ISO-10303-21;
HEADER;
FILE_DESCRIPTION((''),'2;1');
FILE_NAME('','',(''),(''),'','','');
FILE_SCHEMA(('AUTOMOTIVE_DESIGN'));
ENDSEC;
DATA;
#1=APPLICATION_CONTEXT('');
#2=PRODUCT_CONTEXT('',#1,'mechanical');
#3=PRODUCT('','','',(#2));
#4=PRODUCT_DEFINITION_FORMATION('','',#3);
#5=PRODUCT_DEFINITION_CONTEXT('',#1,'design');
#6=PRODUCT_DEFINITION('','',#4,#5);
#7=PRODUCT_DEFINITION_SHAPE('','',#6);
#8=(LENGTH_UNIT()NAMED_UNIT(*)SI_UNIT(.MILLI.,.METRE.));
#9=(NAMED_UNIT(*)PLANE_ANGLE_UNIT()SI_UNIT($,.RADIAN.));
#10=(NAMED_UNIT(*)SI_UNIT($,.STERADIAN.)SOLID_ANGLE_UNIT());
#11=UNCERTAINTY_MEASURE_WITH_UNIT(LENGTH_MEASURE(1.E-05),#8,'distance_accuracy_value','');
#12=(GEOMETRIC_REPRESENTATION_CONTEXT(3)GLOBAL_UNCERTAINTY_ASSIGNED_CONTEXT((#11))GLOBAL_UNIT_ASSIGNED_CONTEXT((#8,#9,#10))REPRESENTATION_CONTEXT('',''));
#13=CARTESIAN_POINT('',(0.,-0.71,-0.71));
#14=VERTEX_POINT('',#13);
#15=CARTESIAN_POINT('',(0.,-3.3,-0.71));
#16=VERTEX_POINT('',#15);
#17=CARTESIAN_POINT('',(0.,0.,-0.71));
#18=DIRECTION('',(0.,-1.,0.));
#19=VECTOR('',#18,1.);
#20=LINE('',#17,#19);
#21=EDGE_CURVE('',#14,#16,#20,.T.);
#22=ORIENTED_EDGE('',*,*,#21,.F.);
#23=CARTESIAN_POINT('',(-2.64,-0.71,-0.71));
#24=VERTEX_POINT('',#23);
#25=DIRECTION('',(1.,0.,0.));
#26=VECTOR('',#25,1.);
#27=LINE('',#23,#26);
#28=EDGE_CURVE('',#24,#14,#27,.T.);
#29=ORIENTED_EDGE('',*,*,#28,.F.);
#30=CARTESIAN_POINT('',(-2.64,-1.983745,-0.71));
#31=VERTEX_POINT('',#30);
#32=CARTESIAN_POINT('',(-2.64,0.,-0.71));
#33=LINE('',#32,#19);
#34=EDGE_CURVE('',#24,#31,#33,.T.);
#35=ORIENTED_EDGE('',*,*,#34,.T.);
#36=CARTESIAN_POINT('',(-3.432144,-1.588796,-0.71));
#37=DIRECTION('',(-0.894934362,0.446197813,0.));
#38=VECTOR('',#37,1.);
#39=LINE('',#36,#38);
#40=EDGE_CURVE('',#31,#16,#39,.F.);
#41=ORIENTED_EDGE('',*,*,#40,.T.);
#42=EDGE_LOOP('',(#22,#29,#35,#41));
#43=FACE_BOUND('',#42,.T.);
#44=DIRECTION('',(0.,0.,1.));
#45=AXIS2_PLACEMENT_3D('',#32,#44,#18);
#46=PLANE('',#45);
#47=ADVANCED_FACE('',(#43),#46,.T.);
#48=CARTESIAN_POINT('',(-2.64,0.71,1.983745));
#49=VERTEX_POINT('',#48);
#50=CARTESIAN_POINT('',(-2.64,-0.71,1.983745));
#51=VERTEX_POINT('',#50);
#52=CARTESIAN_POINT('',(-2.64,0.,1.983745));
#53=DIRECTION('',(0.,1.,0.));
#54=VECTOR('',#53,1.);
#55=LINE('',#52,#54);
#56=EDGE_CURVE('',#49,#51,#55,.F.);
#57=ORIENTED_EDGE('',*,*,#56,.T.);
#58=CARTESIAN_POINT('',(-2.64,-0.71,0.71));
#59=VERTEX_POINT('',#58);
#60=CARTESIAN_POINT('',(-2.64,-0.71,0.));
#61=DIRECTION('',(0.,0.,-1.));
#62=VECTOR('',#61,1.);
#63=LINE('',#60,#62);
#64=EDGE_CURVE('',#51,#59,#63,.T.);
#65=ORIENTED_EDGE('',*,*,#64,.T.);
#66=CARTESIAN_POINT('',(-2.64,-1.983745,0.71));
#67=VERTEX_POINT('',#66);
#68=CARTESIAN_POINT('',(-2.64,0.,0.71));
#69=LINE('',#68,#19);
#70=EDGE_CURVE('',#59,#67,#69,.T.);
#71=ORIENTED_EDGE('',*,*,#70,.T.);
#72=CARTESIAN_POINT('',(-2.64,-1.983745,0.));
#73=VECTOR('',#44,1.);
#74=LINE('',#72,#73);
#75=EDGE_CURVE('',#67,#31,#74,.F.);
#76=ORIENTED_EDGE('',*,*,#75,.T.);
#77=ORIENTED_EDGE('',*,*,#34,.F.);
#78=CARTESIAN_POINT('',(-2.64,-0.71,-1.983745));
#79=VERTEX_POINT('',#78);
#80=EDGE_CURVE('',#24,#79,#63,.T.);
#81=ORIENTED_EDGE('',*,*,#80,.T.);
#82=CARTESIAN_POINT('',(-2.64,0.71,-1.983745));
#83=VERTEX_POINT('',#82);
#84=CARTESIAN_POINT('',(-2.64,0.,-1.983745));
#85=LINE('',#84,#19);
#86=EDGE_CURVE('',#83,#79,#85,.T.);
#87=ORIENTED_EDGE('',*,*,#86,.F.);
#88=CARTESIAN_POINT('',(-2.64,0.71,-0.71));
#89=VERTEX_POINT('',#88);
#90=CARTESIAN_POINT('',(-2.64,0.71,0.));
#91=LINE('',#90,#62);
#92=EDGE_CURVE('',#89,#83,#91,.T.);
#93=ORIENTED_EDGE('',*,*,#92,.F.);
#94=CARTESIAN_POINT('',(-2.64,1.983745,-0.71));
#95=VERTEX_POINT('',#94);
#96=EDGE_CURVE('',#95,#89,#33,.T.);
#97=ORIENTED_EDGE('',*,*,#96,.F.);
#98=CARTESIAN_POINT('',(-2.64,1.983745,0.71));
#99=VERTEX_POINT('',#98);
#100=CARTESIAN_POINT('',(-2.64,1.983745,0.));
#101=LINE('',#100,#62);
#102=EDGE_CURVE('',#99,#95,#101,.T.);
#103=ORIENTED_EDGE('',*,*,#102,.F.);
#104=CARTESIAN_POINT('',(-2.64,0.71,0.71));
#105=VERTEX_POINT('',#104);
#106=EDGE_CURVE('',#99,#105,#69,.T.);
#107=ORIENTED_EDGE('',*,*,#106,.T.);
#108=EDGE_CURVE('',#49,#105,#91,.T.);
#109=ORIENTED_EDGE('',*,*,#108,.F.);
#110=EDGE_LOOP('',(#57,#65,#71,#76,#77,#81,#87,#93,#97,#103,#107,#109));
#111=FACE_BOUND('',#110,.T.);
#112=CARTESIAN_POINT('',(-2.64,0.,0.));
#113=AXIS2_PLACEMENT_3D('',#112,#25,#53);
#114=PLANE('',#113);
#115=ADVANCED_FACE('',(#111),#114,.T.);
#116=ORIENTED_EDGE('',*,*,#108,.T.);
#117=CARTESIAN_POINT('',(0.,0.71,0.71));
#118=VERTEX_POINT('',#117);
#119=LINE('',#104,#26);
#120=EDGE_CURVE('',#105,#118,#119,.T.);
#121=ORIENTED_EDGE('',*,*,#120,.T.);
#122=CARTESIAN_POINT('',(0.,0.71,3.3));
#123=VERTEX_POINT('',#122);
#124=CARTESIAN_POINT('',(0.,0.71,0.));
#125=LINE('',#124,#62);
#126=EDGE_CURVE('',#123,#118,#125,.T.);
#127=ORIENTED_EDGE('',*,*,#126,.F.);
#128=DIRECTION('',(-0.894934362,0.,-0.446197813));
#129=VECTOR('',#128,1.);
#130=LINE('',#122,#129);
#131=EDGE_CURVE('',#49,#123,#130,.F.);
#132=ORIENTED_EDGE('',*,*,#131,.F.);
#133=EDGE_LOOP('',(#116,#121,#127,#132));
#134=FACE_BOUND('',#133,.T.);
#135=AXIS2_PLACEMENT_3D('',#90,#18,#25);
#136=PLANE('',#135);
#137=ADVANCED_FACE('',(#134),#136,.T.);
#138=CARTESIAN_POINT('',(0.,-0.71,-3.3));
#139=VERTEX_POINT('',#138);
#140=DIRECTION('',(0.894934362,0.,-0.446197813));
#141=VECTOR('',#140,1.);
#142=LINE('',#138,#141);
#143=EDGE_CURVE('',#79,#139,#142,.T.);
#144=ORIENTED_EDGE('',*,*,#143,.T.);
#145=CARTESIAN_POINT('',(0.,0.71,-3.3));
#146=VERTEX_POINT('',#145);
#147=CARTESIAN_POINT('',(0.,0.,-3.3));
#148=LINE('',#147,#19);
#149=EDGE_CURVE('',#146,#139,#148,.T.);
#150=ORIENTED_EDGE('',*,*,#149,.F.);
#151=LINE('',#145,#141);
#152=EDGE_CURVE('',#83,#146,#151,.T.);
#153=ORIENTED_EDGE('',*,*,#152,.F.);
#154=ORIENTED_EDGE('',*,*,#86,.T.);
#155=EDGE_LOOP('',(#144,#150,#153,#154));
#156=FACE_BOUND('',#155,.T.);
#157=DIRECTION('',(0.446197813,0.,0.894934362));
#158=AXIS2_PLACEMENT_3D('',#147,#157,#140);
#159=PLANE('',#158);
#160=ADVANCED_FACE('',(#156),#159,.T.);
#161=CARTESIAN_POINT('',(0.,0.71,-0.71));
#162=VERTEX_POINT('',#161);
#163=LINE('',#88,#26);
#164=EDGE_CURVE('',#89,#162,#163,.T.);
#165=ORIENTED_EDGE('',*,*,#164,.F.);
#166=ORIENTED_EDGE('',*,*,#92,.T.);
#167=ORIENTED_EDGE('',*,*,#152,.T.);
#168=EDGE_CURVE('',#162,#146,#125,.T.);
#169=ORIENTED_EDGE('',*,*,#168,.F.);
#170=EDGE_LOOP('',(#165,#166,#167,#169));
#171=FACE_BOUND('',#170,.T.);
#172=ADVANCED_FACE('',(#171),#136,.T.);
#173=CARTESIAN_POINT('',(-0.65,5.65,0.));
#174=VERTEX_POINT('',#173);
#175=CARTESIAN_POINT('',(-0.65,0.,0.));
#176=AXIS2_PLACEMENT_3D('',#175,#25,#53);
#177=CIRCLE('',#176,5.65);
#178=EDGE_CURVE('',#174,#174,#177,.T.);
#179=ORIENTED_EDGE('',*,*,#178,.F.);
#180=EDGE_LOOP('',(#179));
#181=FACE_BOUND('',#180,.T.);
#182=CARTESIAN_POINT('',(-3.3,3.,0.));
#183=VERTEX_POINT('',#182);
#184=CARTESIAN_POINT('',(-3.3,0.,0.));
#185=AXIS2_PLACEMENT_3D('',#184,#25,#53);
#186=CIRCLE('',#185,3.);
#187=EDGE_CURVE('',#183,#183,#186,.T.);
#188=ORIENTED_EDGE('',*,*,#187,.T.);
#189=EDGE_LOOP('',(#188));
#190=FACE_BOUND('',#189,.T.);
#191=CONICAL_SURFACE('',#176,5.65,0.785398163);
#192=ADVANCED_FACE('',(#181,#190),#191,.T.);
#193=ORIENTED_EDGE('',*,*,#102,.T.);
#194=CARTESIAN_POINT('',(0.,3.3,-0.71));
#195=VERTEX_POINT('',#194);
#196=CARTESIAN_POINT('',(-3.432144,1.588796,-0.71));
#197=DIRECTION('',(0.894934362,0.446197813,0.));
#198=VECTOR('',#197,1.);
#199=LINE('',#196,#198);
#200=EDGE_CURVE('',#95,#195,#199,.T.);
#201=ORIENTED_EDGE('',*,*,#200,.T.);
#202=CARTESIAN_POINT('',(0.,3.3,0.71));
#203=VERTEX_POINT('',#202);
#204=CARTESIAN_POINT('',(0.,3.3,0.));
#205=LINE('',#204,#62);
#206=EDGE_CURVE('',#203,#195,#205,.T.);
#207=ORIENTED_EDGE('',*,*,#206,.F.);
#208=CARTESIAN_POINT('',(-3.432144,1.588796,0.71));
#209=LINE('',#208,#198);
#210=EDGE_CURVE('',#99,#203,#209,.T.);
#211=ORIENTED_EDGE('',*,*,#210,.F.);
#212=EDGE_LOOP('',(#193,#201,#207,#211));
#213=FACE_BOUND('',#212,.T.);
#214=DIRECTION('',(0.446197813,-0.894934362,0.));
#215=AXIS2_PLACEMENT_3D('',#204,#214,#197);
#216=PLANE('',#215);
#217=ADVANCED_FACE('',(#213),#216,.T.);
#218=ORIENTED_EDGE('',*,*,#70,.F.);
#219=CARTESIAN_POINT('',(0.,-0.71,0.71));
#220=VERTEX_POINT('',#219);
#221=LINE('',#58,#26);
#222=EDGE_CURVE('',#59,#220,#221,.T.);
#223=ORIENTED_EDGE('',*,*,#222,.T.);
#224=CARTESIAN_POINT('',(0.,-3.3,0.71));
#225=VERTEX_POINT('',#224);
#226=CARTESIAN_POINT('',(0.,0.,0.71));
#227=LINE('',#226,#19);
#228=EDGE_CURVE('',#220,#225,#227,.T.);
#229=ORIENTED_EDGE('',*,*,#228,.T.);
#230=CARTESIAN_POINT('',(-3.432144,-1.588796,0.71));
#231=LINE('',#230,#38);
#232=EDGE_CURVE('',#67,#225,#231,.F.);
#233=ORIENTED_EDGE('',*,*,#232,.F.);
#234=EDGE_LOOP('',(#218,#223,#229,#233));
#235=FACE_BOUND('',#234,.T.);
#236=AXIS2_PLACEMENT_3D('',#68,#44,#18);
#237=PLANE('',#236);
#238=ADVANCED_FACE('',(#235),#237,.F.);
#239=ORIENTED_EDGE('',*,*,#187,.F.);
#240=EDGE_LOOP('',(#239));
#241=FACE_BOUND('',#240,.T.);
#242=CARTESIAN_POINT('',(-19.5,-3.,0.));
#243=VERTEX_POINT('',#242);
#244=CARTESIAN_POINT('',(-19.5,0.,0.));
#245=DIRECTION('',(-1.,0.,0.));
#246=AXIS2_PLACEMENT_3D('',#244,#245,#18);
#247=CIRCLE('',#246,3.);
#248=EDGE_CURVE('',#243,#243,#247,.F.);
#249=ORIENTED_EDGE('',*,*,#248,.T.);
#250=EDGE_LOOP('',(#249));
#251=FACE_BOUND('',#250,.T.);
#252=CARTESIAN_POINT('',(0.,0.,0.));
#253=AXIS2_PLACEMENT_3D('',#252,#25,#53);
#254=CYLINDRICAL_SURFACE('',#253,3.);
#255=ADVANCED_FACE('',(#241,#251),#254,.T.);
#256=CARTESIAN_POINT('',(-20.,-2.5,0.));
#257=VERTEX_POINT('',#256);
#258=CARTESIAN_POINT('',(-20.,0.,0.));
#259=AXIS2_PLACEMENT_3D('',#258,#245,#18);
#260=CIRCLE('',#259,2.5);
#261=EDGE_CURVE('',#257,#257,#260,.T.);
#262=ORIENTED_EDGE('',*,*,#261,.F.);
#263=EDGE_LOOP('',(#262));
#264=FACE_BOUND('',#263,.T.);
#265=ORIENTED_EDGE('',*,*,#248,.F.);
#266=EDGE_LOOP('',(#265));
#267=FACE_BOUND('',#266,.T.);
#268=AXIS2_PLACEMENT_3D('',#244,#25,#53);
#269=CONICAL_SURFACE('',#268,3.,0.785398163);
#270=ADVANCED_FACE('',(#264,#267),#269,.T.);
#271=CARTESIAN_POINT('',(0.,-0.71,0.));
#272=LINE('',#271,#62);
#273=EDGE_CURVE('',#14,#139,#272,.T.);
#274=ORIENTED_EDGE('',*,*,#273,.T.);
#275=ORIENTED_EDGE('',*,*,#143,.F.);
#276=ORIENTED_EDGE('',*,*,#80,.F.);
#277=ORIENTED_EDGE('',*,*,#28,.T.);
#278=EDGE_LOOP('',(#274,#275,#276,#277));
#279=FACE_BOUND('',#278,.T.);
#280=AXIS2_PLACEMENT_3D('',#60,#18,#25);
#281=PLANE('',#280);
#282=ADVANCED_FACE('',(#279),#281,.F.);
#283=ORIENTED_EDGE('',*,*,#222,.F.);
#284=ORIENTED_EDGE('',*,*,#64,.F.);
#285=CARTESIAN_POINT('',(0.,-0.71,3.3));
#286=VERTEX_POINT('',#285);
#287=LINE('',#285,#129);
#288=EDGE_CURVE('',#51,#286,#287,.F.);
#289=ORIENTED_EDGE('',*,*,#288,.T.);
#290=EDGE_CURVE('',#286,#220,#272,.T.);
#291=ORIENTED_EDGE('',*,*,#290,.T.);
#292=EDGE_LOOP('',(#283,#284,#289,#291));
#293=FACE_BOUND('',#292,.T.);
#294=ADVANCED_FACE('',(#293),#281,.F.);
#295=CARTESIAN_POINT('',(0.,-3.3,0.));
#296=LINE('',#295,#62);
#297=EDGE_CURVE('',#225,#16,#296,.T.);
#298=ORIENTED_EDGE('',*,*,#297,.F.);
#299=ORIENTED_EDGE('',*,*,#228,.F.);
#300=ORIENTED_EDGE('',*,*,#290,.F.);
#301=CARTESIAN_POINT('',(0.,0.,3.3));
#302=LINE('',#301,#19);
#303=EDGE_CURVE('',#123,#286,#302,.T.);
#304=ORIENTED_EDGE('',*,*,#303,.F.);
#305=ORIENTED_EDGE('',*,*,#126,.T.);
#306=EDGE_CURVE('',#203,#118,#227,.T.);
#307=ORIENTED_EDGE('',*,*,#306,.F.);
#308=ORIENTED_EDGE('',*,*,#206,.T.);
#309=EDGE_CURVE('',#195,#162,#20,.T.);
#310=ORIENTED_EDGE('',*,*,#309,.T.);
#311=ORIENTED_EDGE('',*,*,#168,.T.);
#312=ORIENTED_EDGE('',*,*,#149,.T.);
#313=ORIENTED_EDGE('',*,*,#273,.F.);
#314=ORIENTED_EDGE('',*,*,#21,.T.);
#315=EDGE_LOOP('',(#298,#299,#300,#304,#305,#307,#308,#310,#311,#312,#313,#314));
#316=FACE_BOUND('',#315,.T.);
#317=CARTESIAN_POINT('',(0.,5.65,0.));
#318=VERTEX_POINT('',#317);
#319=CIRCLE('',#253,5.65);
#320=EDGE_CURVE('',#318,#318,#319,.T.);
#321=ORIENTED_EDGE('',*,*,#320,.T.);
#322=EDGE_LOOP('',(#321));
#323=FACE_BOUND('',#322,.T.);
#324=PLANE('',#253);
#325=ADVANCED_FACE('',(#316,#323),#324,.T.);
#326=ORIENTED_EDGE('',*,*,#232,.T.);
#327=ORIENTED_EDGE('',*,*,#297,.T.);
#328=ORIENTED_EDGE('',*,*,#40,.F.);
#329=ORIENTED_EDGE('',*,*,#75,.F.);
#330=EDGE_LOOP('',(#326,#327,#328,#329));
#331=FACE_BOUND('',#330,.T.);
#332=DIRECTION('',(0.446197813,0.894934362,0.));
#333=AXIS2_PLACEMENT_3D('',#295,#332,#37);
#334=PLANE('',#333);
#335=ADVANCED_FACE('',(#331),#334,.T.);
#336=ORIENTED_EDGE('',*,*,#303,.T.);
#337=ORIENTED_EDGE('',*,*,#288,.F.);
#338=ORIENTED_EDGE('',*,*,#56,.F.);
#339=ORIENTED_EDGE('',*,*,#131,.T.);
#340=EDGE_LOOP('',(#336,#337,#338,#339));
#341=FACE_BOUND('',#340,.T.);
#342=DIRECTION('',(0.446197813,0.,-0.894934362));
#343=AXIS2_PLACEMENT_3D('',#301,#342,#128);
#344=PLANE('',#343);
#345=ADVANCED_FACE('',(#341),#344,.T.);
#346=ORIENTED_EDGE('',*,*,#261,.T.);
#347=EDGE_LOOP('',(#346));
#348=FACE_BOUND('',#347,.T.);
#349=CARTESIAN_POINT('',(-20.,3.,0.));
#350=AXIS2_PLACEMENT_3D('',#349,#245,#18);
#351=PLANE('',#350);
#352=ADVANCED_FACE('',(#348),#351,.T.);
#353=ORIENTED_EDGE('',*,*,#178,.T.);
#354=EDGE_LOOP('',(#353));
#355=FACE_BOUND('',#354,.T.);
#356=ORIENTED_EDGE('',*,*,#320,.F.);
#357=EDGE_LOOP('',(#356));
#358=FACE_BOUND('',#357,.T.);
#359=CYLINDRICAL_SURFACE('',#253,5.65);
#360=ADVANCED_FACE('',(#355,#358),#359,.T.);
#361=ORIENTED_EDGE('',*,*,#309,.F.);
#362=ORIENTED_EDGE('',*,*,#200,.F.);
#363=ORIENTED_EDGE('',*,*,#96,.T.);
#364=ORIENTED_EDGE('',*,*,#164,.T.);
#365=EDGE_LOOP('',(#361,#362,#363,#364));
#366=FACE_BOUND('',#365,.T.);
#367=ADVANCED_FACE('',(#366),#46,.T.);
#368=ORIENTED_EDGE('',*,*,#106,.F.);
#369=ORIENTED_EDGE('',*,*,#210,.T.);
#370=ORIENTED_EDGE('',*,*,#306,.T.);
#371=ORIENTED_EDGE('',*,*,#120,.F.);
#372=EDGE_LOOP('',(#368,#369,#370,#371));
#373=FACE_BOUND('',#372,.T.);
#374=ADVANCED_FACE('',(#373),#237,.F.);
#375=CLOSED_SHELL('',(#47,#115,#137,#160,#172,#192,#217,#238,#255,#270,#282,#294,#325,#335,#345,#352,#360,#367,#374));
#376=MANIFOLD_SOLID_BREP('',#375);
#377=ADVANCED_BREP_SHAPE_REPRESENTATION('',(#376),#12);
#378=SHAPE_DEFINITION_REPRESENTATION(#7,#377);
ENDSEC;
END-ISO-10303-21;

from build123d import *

# Parameters (mm, degrees)
SKETCH2_W          = 1.42
SKETCH2_H          = 2.59
SKETCH2_W_2        = 2.59
SKETCH2_H_2        = 1.42
CUT_EXTRUDE1_DEPTH = 2.64
DRAFT1_ANGLE       = 26.5
CHAMFER1_SIZE      = 0.5


with BuildPart() as part:
    # Sketch1 → Revolve1 (revolve)
    with BuildSketch(Plane.XY):
        Polygon((0, 0), (0, 5.65), (-0.65, 5.65), (-3.3, 3), (-20, 3), (-20, 0), align=None)
    revolve(axis=Axis((0, 0, 0), (-1, 0, 0)))

    # Sketch2 → Cut-Extrude1 (cut)
    with BuildSketch(Plane(origin=(0, 0, 0), x_dir=(0, 0, -1), z_dir=(1, 0, 0))):
        with Locations((0, 2.005)):
            Rectangle(SKETCH2_W, SKETCH2_H)
        with Locations((-2.005, 0)):
            Rectangle(SKETCH2_W_2, SKETCH2_H_2)
        Rectangle(SKETCH2_W, SKETCH2_H_2)
        with Locations((2.005, 0)):
            Rectangle(SKETCH2_W_2, SKETCH2_H_2)
        with Locations((0, -2.005)):
            Rectangle(SKETCH2_W, SKETCH2_H)
    extrude(amount=-CUT_EXTRUDE1_DEPTH, mode=Mode.SUBTRACT)

    # Draft1
    draft1_faces = [part.faces().sort_by_distance(p)[0] for p in [
        (-1.32, 0, -3.3),
        (-1.32, -3.3, 0),
        (-1.32, 0, 3.3),
        (-1.32, 3.3, 0),
    ]]
    draft(draft1_faces, Plane.YZ, DRAFT1_ANGLE)

    # Chamfer1
    chamfer1_edges = [part.edges().sort_by_distance(p)[0] for p in [
        (-20, -3, 0),
    ]]
    chamfer(chamfer1_edges, length=CHAMFER1_SIZE)


solid = part.part
